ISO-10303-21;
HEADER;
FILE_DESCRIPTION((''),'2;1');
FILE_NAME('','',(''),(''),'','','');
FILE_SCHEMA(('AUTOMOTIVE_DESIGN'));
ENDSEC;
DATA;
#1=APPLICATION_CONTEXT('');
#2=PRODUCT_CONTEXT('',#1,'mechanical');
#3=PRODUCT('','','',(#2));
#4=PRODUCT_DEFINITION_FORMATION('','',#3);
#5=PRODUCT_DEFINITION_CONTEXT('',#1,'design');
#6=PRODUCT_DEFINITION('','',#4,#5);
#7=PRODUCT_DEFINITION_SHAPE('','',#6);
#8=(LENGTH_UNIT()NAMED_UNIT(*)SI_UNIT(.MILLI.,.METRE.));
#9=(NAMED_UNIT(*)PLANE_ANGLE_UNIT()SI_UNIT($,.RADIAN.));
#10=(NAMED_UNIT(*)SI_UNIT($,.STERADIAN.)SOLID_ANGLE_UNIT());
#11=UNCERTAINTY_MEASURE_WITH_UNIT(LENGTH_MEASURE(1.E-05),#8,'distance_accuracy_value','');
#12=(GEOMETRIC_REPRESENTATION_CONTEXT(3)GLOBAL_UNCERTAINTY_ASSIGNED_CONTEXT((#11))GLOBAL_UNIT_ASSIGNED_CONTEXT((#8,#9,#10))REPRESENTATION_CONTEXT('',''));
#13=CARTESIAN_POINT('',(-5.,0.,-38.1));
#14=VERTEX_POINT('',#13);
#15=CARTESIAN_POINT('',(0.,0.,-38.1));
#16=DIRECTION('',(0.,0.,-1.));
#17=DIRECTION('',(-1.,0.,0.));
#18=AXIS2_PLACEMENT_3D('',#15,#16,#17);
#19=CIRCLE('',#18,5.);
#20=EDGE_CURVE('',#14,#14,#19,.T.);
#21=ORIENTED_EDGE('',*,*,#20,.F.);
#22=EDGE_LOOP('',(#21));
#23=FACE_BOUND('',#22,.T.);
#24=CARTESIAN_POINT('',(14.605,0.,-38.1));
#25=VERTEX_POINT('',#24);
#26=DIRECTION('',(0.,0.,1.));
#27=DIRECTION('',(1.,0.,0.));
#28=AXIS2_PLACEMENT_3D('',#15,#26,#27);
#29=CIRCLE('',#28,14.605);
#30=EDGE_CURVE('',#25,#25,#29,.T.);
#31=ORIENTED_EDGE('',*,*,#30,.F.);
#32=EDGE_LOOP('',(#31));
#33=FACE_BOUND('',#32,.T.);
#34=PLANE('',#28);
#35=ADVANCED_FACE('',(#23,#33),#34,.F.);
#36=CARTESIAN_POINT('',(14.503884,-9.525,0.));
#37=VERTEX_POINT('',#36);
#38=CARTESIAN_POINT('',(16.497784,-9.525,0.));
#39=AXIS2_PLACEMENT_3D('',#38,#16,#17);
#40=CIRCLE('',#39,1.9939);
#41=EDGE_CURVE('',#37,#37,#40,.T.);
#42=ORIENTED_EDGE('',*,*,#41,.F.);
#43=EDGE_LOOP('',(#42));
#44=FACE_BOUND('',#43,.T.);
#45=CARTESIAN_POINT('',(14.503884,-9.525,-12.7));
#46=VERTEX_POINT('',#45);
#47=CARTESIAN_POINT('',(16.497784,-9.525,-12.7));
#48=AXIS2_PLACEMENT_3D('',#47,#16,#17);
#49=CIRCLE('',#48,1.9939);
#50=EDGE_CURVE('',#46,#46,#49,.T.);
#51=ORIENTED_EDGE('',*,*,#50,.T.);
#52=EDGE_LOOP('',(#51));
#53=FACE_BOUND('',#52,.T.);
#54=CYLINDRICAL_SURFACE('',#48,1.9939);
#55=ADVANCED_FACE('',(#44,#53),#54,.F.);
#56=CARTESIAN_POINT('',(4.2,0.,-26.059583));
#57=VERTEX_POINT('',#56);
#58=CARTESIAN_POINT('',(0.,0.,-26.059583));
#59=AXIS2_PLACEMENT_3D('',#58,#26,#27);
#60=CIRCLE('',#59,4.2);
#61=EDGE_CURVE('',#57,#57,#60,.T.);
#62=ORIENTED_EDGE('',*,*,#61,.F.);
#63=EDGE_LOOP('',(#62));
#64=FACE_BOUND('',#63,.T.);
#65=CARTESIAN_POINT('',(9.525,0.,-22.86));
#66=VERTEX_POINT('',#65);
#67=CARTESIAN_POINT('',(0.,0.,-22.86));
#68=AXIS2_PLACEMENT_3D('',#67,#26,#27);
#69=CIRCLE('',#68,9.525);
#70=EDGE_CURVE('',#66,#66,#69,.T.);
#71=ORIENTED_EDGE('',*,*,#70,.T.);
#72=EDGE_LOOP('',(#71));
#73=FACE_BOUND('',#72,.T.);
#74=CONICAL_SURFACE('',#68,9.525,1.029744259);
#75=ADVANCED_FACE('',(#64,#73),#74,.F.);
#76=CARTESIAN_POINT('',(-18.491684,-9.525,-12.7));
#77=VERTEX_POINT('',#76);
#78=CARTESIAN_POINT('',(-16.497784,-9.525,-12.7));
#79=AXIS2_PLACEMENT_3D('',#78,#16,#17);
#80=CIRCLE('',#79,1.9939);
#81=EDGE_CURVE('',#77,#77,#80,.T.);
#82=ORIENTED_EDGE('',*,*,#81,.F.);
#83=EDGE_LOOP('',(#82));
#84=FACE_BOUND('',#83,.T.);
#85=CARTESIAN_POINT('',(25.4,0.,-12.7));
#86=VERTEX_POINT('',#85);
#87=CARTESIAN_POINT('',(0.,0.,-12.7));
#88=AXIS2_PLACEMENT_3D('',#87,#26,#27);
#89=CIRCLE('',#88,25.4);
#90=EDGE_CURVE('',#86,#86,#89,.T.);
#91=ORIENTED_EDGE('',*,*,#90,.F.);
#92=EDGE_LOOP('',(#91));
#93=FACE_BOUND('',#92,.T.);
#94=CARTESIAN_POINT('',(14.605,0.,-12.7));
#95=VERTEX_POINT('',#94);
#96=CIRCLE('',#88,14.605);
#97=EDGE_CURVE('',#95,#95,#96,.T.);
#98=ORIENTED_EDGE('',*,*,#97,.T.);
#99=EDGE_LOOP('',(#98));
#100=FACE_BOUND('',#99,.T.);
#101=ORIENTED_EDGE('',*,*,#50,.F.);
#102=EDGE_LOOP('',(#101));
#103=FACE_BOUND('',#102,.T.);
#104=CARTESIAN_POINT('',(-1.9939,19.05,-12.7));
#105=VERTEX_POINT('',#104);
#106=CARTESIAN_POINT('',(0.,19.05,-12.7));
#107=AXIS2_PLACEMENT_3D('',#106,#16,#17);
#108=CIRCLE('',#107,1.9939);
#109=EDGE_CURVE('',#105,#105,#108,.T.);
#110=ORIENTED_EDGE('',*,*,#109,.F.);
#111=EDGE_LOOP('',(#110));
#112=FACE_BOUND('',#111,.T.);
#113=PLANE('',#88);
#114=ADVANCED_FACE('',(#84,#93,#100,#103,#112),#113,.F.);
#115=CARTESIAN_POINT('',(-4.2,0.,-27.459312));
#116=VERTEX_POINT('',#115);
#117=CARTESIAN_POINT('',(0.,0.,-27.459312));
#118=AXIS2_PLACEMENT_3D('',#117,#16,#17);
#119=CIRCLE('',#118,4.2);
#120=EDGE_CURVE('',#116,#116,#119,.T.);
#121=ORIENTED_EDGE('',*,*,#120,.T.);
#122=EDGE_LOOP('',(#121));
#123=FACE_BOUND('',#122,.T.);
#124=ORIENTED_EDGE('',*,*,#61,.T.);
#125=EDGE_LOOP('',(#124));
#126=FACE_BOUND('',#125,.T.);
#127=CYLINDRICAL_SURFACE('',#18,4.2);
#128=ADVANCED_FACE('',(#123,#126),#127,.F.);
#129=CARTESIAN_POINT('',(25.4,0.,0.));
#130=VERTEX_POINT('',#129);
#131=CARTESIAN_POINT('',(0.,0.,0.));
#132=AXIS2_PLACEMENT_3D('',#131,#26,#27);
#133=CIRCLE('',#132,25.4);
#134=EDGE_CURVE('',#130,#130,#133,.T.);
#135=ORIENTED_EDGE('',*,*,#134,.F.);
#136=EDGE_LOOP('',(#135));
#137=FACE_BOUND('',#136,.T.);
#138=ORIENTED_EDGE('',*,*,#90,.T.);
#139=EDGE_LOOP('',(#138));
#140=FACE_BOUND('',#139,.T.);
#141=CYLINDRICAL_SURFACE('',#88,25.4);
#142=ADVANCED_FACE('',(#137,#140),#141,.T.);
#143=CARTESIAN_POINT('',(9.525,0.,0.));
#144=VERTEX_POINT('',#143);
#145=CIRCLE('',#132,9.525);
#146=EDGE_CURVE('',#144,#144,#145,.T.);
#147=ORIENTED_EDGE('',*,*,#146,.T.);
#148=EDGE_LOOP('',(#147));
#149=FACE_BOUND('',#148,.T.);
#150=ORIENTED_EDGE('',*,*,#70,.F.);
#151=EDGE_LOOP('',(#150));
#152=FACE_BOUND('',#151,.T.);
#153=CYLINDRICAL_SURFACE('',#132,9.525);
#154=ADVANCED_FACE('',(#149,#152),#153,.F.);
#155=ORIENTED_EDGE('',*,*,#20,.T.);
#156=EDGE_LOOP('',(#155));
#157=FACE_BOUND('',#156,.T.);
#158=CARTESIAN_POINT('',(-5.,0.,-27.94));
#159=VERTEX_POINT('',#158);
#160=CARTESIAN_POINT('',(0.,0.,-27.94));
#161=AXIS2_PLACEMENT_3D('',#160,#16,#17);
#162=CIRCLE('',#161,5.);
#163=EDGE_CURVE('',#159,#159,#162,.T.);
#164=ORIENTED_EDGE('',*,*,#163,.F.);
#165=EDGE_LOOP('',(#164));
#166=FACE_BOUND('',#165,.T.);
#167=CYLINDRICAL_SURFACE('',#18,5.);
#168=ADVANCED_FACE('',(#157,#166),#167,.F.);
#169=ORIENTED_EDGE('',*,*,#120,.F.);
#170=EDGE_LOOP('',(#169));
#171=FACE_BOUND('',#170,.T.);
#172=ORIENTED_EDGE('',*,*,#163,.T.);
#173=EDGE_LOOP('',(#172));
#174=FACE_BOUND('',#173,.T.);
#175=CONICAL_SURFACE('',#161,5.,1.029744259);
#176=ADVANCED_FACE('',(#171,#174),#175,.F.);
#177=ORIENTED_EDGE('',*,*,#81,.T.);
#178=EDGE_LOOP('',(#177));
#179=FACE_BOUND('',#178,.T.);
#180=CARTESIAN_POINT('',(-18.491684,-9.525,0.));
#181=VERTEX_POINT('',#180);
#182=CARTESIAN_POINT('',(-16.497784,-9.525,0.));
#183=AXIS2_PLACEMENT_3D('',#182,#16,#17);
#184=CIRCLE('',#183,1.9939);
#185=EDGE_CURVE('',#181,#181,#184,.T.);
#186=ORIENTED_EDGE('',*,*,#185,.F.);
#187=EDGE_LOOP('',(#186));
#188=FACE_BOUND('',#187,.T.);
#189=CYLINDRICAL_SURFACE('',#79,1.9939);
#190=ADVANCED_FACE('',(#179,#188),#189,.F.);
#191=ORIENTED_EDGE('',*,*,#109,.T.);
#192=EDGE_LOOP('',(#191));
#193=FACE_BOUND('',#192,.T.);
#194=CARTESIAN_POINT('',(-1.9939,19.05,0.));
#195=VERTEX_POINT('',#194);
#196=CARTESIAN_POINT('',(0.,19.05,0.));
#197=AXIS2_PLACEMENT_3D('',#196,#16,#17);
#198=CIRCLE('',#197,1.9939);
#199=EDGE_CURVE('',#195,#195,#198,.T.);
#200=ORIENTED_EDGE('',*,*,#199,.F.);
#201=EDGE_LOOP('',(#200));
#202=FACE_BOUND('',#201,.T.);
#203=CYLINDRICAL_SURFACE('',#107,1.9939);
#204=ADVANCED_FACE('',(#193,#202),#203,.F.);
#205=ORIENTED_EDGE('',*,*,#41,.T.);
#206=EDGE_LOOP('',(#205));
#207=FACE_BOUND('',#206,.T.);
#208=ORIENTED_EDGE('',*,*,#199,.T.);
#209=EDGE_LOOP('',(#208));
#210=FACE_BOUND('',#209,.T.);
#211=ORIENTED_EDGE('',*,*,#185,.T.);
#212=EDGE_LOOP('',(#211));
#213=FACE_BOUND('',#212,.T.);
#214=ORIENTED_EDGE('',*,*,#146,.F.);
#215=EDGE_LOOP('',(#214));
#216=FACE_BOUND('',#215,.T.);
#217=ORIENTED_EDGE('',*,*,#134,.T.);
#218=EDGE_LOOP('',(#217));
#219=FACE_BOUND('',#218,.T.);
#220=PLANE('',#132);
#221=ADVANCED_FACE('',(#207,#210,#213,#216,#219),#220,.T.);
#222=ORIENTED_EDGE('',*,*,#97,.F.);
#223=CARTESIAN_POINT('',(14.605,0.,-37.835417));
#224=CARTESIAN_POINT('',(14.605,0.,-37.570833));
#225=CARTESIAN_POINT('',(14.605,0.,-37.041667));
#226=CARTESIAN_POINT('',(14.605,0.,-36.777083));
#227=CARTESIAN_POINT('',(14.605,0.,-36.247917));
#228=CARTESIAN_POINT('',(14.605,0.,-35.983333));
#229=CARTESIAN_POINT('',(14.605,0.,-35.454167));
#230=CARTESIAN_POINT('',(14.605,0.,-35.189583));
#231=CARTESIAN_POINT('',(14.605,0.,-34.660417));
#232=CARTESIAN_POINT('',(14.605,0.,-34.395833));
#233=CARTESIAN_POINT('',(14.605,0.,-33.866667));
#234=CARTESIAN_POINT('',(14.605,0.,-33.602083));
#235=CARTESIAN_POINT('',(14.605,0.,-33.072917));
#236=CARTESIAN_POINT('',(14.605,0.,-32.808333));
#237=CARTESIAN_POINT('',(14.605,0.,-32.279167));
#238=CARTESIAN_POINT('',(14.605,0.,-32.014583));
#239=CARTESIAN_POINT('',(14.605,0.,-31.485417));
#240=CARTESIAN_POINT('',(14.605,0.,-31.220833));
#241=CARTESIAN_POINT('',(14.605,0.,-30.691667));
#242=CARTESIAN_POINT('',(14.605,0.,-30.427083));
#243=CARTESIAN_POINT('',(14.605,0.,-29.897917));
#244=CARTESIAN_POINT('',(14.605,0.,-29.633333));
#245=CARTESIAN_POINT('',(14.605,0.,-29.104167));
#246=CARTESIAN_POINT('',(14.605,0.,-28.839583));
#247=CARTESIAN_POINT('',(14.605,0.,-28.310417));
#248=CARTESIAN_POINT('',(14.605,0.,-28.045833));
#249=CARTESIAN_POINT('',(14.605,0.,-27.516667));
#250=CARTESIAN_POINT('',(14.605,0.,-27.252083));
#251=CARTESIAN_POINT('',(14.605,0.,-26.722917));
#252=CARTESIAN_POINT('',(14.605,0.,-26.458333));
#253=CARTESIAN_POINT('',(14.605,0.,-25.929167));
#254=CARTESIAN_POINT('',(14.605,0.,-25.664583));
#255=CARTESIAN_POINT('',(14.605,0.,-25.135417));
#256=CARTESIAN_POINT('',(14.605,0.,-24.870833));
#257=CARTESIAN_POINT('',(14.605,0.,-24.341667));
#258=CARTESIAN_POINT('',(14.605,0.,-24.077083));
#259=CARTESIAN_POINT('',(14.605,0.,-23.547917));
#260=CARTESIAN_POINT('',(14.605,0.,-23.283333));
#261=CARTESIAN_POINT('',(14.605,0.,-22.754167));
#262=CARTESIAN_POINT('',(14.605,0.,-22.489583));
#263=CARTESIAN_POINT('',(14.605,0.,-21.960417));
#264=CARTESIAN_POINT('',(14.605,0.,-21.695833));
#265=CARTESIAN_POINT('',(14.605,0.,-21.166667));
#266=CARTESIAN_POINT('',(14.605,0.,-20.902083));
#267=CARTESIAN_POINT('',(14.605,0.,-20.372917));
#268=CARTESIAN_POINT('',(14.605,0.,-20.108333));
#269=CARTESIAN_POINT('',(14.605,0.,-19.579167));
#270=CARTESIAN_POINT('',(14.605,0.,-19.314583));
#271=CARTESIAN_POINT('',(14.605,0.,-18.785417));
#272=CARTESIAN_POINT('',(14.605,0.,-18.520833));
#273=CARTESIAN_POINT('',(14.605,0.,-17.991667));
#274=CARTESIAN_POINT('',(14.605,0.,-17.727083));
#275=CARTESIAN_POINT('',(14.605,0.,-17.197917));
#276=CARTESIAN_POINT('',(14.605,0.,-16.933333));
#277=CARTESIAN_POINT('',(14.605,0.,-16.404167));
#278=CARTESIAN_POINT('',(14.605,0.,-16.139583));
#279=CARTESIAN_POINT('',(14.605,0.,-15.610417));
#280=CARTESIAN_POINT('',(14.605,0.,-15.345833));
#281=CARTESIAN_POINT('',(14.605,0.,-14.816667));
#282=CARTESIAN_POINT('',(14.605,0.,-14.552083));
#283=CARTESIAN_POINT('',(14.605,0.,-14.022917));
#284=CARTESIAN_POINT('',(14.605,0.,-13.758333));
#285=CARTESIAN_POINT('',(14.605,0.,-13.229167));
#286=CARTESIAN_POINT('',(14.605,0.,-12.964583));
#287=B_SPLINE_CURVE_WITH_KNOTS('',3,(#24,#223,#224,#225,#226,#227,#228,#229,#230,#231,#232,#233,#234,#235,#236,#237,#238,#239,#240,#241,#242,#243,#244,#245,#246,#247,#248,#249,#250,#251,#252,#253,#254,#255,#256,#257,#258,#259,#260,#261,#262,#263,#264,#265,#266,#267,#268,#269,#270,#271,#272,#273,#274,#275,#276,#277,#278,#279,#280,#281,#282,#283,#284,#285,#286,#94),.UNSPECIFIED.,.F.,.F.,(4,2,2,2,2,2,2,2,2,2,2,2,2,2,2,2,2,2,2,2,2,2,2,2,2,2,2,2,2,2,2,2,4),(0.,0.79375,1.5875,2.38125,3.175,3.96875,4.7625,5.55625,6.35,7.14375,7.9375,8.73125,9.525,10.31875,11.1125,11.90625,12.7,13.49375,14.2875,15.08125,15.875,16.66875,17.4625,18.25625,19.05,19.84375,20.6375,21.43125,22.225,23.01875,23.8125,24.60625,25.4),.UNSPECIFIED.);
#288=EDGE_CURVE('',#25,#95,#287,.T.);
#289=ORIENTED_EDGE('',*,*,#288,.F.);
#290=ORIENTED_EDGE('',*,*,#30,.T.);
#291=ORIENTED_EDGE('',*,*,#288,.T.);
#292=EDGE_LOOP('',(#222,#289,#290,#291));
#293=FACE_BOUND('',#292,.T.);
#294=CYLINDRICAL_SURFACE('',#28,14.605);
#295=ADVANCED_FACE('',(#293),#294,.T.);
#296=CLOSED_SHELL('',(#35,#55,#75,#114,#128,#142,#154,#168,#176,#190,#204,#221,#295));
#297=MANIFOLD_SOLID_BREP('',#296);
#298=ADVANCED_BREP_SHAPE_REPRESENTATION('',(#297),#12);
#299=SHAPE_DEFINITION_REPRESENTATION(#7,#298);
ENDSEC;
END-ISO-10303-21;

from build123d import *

# Parameters (mm, degrees)
SKETCH1_R                       = 25.4
BOSS_EXTRUDE1_DEPTH             = 12.7
SKETCH9_R                       = 14.605
BOSS_EXTRUDE2_DEPTH             = 38.1
F_10_24_TAPPED_HOLE1_D          = 3.9878
F_8_4_8_4_DIAMETER_HOLE2_D      = 8.4
F_10_0_10_DIAMETER_HOLE1_D      = 10
F_10_0_10_DIAMETER_HOLE1_DEPTH  = 10.16
F_10_0_10_DIAMETER_HOLE1_TIP    = 3.004303095
F_3_4_0_75_DIAMETER_HOLE1_D     = 19.05
F_3_4_0_75_DIAMETER_HOLE1_DEPTH = 22.86
F_3_4_0_75_DIAMETER_HOLE1_TIP   = 5.723197396


with BuildPart() as part:
    # Sketch1 → Boss-Extrude1 (new body)
    with BuildSketch(Plane.XY):
        Circle(SKETCH1_R)
    extrude(amount=-BOSS_EXTRUDE1_DEPTH)

    # Sketch9 → Boss-Extrude2 (add)
    with BuildSketch(Plane.XY):
        Circle(SKETCH9_R)
    extrude(amount=-BOSS_EXTRUDE2_DEPTH)

    # #10-24 Tapped Hole1 (through all)
    with Locations(Plane(origin=(0, 0, -12.7), x_dir=(-1, 0, 0), z_dir=(0, 0, -1))):
        with Locations((0, 19.05), (-16.497783942, -9.525), (16.497783942, -9.525)):
            Hole(F_10_24_TAPPED_HOLE1_D / 2)

    # Ø8.4 (8.4) Diameter Hole2 (through all)
    with Locations(Plane(origin=(0, 0, -38.1), x_dir=(-1, 0, 0), z_dir=(0, 0, -1))):
        with Locations((0, 0)):
            Hole(F_8_4_8_4_DIAMETER_HOLE2_D / 2)

    # Ø10.0 (10) Diameter Hole1
    with Locations(Plane(origin=(0, 0, -38.1), x_dir=(-1, 0, 0), z_dir=(0, 0, -1))):
        with Locations((0, 0)):
            Hole(F_10_0_10_DIAMETER_HOLE1_D / 2, depth=F_10_0_10_DIAMETER_HOLE1_DEPTH)
            with Locations((0, 0, -(F_10_0_10_DIAMETER_HOLE1_DEPTH + F_10_0_10_DIAMETER_HOLE1_TIP / 2))):  # 118° drill point
                Cone(0, F_10_0_10_DIAMETER_HOLE1_D / 2, F_10_0_10_DIAMETER_HOLE1_TIP, mode=Mode.SUBTRACT)

    # 3/4 (0.75) Diameter Hole1
    with Locations(Plane.XY):
        with Locations((0, 0)):
            Hole(F_3_4_0_75_DIAMETER_HOLE1_D / 2, depth=F_3_4_0_75_DIAMETER_HOLE1_DEPTH)
            with Locations((0, 0, -(F_3_4_0_75_DIAMETER_HOLE1_DEPTH + F_3_4_0_75_DIAMETER_HOLE1_TIP / 2))):  # 118° drill point
                Cone(0, F_3_4_0_75_DIAMETER_HOLE1_D / 2, F_3_4_0_75_DIAMETER_HOLE1_TIP, mode=Mode.SUBTRACT)


solid = part.part
